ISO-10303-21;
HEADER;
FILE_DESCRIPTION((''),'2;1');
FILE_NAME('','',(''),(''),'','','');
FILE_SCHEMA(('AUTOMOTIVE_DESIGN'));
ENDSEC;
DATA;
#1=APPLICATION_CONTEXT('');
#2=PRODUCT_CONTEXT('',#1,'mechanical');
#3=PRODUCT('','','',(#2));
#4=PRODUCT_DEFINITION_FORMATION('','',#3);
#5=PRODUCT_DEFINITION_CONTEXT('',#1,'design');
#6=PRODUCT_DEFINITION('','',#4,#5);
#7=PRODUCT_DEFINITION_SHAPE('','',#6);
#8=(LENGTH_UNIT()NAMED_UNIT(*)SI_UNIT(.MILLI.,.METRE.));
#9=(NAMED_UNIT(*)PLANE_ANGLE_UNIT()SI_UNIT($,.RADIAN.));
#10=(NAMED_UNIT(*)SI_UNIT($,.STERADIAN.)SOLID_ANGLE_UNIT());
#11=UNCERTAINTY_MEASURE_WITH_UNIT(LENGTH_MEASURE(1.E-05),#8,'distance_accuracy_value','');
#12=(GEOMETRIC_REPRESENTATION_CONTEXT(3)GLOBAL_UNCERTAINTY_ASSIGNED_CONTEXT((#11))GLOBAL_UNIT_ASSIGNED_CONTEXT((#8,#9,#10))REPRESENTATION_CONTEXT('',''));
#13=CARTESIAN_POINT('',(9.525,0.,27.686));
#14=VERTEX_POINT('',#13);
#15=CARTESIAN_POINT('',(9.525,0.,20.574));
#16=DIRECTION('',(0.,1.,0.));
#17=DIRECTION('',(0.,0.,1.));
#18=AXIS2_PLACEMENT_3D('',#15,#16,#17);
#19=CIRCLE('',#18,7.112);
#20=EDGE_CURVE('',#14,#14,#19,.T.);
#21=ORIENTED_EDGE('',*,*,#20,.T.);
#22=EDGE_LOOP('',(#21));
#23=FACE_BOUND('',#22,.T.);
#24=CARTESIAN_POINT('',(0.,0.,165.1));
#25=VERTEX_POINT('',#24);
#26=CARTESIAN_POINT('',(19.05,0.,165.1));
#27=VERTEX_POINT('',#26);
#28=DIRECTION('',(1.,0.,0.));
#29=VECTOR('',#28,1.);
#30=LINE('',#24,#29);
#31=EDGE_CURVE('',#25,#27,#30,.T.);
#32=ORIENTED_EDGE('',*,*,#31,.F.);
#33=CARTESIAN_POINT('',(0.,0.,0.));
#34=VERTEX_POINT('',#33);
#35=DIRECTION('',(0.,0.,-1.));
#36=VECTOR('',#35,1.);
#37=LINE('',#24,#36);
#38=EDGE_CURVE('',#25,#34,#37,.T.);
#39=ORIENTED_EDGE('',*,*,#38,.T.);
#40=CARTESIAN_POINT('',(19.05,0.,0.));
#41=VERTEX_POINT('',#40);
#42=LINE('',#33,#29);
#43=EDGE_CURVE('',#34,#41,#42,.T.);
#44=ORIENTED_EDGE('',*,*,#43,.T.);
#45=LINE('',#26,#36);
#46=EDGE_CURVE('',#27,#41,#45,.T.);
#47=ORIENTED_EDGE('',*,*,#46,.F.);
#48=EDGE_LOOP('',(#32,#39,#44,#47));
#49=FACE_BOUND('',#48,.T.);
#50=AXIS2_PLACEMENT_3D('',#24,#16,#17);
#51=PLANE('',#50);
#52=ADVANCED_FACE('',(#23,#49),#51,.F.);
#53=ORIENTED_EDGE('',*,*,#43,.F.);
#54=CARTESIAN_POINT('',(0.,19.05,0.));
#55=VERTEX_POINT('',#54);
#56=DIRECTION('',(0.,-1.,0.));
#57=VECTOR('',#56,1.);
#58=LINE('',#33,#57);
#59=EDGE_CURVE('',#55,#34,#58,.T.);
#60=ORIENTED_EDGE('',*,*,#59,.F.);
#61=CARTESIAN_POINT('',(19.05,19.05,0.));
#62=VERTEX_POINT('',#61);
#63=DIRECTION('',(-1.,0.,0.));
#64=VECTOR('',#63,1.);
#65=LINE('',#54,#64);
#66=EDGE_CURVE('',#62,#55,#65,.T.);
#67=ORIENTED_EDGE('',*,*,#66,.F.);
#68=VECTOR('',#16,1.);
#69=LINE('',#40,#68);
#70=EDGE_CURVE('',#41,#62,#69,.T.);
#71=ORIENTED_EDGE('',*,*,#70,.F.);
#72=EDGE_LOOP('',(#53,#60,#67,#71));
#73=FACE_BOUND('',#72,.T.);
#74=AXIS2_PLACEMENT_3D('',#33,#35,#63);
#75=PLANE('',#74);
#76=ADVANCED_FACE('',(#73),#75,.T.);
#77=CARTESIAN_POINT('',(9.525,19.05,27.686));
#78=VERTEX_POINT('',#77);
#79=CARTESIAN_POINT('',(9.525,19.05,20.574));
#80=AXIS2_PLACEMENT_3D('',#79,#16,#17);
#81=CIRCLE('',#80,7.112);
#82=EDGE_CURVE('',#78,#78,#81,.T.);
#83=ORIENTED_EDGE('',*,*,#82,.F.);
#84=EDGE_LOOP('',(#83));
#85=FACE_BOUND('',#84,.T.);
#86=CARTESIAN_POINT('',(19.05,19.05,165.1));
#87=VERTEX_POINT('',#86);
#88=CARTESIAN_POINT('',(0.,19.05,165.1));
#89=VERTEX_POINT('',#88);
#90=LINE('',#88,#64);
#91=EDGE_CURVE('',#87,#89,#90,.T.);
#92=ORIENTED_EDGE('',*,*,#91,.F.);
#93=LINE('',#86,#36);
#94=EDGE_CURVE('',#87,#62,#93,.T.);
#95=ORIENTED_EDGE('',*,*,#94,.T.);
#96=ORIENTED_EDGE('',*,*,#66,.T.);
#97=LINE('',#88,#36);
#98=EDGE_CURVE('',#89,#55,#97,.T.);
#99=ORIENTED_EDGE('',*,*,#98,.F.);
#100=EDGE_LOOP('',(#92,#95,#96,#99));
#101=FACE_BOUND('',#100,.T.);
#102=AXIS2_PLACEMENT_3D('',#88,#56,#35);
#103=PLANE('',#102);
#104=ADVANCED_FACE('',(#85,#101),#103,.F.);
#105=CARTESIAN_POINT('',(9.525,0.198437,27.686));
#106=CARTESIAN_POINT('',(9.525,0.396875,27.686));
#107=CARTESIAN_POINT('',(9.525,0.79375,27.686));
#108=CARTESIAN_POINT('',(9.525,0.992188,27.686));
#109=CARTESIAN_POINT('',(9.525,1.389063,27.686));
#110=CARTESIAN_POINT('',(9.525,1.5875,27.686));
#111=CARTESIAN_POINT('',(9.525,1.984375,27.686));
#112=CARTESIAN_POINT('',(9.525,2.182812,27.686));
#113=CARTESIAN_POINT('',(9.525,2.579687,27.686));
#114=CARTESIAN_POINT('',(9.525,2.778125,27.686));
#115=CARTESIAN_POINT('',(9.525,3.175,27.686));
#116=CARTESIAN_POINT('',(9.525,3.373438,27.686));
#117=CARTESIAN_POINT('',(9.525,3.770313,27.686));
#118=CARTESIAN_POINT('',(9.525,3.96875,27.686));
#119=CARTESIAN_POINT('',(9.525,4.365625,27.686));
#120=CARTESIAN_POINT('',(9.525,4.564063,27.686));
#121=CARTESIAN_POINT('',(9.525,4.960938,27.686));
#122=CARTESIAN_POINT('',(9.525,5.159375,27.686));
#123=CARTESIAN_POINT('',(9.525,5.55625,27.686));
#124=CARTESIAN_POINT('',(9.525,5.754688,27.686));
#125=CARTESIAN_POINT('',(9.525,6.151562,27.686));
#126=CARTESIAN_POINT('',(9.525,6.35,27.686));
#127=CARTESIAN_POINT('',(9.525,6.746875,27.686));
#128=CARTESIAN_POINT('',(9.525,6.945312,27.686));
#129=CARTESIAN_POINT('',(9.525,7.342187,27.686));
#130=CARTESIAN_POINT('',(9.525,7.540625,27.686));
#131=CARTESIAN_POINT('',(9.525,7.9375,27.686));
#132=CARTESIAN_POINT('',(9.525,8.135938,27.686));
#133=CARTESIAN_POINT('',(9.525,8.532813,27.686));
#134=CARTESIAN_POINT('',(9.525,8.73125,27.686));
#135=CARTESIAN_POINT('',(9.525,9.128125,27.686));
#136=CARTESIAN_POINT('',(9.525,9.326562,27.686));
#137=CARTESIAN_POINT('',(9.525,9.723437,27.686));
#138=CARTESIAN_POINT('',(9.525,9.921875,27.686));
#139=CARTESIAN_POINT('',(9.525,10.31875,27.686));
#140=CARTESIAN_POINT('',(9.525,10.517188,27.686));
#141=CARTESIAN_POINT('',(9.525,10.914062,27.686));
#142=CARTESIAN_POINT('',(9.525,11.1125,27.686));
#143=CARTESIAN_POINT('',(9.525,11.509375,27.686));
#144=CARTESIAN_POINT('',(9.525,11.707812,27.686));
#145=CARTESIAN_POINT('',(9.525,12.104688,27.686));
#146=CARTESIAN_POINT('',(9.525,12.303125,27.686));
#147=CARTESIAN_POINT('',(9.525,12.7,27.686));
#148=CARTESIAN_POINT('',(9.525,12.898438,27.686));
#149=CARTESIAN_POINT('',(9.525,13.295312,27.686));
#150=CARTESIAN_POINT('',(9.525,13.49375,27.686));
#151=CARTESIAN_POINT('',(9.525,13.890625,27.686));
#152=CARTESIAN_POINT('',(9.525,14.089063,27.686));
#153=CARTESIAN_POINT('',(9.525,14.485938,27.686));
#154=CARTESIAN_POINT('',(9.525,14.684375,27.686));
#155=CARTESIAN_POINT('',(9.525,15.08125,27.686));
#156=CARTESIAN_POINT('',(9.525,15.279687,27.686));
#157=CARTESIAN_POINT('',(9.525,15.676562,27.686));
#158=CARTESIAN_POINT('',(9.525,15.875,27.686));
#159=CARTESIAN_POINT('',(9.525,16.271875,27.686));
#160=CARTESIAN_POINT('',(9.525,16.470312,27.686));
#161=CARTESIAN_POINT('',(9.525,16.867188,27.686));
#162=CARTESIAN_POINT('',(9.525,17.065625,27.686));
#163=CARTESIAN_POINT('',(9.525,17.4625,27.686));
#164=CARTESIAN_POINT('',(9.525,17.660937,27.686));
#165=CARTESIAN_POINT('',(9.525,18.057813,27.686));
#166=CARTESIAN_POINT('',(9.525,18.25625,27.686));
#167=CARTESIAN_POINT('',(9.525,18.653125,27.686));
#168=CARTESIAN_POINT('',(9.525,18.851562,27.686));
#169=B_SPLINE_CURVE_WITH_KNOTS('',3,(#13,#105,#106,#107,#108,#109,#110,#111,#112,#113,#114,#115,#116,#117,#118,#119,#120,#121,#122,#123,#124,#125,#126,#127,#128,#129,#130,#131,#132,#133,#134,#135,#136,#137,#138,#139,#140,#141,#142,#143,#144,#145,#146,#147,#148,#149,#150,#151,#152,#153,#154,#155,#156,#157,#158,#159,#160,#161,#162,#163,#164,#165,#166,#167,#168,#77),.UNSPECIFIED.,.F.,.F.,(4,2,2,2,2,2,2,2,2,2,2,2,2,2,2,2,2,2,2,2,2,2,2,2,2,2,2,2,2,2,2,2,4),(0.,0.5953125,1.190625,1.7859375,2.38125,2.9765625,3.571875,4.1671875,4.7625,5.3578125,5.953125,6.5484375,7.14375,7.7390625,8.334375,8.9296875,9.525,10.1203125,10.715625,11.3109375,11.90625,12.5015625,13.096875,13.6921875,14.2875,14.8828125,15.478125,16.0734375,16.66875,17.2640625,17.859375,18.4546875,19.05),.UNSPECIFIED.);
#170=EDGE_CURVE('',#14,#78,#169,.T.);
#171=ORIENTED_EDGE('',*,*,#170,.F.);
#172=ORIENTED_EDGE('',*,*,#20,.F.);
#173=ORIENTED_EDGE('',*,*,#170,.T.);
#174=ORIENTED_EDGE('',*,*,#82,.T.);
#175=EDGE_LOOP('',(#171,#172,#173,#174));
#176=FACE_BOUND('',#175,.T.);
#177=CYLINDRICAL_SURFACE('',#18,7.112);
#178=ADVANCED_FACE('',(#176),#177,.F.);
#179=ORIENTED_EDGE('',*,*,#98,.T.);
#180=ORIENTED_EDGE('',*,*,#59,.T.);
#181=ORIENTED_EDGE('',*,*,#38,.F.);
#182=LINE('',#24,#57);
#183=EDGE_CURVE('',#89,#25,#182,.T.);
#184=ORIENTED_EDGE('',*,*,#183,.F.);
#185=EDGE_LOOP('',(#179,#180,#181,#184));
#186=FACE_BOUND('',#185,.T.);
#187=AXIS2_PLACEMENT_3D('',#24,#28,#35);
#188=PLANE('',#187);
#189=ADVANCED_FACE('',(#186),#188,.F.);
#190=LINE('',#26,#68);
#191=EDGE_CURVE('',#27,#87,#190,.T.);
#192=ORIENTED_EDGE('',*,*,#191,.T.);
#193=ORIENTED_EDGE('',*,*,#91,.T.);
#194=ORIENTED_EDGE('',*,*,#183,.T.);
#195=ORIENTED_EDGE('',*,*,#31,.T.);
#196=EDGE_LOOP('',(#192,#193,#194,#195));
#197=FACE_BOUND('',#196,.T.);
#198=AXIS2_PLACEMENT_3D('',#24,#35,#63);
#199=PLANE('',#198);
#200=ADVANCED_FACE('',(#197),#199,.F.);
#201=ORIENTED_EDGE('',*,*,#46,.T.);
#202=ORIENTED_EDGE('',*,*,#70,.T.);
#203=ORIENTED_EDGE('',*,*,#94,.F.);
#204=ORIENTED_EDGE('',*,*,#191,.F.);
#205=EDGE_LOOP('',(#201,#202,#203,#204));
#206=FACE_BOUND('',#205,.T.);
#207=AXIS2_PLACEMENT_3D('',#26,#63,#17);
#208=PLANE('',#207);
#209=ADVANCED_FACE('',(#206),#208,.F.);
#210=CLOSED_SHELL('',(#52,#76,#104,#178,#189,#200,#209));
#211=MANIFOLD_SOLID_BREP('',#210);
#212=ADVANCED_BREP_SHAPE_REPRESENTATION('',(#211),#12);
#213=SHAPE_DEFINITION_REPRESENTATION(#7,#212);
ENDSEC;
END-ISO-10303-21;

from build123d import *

# Parameters (mm, degrees)
SKETCH_2_W          = 19.05
SKETCH_2_H          = 19.05
EXTRUDE_1_DEPTH     = 165.1
SKETCH_3_R          = 7.112
CUT_EXTRUDE_1_DEPTH = 168.283636378


with BuildPart() as part:
    # 草图2 → 凸台-拉伸1 (new body)
    with BuildSketch(Plane.XY):
        with Locations((9.525, 9.525)):
            Rectangle(SKETCH_2_W, SKETCH_2_H)
    extrude(amount=EXTRUDE_1_DEPTH)

    # 草图3 → 切除-拉伸1 (cut, through all)
    with BuildSketch(Plane(origin=(0, 19.05, 0), x_dir=(1, 0, 0), z_dir=(0, 1, 0))):
        with Locations(Location((9.525, -20.574, 0), (0, 0, 270))):
            Circle(SKETCH_3_R)
    extrude(amount=-CUT_EXTRUDE_1_DEPTH, mode=Mode.SUBTRACT)


solid = part.part
